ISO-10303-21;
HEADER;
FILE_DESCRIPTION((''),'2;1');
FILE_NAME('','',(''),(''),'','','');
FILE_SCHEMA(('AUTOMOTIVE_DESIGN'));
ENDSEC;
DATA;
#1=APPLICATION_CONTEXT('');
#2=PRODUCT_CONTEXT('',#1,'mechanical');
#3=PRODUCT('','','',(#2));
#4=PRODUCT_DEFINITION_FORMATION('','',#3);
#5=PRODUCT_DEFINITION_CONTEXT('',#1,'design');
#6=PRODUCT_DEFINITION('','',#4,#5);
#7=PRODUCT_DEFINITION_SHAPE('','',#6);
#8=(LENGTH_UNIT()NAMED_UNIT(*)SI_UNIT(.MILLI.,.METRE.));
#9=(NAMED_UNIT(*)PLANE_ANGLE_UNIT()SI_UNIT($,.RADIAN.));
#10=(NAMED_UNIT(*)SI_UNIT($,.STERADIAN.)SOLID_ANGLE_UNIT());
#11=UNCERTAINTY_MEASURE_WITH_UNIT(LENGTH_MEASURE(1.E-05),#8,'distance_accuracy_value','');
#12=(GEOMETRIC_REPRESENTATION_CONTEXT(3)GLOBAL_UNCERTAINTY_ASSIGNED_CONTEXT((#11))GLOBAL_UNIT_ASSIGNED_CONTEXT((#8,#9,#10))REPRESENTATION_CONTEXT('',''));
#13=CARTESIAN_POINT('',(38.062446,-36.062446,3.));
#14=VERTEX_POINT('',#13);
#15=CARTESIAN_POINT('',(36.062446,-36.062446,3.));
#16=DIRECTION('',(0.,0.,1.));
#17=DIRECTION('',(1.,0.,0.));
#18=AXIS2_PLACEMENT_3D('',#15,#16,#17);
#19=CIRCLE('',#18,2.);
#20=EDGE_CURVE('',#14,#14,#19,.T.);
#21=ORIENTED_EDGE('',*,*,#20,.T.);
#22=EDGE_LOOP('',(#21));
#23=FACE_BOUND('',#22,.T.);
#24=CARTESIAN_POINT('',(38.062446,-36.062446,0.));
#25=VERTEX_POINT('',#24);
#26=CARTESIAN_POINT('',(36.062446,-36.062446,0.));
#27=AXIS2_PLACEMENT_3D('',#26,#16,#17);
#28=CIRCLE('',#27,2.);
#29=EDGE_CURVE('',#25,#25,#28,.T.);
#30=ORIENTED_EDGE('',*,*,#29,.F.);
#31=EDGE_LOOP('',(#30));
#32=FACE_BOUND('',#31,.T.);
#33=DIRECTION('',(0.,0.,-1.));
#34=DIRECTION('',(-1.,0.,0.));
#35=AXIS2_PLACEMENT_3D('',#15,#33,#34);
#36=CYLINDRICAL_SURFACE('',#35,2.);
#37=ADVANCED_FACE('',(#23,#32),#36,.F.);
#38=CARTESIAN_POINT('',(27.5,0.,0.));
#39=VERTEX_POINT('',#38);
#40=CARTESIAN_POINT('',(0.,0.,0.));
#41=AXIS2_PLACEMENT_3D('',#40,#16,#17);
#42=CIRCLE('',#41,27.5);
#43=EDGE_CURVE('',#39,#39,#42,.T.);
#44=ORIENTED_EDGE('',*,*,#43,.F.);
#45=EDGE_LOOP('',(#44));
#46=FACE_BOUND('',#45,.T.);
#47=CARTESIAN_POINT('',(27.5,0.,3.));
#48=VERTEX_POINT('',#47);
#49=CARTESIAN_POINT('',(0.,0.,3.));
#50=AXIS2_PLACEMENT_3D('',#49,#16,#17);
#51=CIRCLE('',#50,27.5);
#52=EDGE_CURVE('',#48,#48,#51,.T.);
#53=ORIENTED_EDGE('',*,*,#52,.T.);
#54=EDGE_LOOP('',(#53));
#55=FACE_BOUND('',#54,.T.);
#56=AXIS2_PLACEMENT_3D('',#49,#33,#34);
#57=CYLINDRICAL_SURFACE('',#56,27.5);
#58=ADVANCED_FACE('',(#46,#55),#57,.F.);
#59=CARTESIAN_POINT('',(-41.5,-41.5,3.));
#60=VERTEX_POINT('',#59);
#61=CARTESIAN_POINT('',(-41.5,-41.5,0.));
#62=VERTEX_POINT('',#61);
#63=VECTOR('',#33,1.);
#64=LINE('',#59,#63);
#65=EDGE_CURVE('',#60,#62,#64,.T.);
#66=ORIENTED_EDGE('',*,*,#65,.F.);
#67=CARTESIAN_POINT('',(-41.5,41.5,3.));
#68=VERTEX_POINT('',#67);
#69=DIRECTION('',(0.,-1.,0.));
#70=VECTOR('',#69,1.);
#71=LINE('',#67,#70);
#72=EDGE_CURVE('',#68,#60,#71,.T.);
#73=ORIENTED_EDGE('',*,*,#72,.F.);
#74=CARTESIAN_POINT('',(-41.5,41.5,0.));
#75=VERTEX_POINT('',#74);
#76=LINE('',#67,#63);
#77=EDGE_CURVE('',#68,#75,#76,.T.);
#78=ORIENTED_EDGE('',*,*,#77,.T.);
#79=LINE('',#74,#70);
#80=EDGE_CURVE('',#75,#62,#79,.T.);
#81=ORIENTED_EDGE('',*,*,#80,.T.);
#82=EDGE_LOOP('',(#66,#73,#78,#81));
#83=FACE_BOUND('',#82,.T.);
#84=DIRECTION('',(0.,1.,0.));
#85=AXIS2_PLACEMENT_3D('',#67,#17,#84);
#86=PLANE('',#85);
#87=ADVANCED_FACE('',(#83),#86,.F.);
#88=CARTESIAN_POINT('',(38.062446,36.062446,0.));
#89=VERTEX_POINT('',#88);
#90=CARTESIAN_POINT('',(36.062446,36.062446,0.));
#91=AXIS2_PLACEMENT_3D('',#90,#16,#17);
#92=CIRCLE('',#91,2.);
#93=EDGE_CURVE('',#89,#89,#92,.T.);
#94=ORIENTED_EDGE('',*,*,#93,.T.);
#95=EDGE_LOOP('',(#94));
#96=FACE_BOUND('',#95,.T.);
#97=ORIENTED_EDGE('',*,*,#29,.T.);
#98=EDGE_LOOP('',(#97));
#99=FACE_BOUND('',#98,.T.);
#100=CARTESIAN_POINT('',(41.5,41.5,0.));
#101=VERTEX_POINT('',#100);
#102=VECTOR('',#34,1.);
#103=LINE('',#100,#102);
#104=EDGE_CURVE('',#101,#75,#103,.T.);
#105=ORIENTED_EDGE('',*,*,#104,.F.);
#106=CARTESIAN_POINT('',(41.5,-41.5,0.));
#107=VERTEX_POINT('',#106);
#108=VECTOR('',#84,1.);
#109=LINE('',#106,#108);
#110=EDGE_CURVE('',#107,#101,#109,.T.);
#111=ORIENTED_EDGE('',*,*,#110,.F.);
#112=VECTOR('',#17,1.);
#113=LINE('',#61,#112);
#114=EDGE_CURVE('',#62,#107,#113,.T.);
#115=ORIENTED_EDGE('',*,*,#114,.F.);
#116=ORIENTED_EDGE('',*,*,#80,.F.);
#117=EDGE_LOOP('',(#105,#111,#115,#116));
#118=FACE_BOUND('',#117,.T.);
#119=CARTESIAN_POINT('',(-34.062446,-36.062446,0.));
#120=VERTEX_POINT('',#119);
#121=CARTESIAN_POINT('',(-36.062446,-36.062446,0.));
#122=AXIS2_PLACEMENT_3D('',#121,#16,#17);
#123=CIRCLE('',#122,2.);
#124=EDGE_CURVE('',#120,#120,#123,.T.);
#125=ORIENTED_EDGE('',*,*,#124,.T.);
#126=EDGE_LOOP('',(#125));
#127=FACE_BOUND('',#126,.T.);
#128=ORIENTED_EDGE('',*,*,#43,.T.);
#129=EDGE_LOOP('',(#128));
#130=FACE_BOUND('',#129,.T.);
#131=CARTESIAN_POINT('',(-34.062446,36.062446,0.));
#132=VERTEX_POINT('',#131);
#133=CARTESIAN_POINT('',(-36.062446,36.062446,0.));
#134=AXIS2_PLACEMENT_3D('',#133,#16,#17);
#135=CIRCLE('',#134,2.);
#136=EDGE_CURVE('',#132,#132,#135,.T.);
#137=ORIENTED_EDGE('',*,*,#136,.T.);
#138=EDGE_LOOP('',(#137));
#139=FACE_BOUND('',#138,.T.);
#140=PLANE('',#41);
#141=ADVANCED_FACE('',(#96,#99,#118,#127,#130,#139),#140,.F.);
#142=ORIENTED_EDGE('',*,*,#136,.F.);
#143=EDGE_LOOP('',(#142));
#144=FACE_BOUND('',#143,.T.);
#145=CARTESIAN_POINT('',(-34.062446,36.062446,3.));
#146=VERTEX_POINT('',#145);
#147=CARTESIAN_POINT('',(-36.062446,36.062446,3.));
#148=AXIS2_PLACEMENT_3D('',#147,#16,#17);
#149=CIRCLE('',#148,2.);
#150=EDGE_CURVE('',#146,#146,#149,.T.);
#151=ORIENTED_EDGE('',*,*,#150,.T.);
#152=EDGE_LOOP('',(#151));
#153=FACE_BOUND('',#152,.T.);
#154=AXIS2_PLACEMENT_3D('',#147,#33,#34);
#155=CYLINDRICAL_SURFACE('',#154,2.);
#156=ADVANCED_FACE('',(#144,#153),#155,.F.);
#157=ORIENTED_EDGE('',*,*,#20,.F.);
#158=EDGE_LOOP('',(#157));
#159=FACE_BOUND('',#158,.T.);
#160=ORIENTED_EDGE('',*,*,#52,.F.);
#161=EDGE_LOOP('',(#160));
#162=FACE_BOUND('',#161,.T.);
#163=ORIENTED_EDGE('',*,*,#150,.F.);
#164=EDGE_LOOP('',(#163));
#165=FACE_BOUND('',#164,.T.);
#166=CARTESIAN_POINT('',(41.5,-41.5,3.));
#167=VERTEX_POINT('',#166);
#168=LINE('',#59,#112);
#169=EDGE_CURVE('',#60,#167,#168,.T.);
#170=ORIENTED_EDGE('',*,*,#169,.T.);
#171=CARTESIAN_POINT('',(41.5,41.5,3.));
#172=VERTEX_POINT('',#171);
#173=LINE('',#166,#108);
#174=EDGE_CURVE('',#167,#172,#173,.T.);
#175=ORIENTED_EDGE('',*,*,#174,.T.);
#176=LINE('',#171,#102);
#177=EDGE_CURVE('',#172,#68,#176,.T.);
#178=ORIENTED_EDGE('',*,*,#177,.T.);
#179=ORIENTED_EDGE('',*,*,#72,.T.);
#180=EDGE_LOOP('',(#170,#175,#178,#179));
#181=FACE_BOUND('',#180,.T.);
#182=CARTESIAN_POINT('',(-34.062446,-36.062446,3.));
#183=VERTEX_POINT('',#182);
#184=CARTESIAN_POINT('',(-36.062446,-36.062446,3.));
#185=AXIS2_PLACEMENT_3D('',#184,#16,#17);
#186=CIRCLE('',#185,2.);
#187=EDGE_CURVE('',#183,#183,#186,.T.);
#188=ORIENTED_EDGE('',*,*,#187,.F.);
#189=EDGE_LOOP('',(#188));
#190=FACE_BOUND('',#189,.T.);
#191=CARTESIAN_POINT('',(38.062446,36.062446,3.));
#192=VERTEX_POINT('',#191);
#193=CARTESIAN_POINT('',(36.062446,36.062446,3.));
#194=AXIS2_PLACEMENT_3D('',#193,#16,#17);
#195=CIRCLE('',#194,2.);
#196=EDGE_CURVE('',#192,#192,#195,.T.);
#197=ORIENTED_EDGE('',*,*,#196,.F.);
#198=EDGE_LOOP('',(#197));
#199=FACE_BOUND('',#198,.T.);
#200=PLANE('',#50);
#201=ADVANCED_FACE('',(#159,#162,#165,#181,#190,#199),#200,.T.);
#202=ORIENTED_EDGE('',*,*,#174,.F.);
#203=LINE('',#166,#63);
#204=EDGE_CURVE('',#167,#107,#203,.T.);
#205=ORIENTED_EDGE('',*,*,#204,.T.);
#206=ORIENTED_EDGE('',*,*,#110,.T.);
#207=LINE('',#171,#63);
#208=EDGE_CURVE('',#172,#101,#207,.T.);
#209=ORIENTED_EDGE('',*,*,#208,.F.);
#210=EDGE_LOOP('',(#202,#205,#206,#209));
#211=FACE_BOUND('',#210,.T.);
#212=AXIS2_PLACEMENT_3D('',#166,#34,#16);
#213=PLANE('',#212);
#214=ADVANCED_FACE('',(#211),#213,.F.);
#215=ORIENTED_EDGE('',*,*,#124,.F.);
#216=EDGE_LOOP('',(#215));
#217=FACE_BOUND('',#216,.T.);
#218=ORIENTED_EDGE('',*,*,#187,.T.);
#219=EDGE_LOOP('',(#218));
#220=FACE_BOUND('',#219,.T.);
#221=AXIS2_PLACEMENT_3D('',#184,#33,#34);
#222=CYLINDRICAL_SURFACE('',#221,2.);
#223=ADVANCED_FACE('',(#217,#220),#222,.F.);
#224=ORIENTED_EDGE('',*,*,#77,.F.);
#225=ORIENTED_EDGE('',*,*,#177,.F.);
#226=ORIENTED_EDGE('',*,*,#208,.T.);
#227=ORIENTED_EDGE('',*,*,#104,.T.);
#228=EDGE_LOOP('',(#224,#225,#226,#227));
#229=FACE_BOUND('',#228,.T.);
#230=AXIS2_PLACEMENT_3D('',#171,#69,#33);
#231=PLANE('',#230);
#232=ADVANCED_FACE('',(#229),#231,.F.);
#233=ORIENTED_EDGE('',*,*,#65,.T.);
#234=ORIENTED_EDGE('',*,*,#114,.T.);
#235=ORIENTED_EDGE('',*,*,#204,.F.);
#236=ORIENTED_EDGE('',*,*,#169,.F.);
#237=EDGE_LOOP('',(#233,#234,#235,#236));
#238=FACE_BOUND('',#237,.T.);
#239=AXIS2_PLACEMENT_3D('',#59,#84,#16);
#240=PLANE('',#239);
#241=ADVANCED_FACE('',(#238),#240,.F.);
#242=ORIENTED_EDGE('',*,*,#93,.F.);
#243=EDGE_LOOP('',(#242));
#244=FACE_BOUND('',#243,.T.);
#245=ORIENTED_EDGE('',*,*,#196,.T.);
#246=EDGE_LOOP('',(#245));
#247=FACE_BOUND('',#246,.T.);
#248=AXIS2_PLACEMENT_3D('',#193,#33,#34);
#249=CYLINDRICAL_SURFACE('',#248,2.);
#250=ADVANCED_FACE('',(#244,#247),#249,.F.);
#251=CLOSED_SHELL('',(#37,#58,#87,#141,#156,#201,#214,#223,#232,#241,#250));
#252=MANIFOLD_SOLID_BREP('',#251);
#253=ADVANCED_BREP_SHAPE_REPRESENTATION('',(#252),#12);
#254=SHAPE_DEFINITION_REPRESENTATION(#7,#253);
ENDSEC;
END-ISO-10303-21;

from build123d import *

# Parameters (mm, degrees)
SKETCH1_W           = 83
SKETCH1_H           = 83
SKETCH1_R           = 2
SKETCH1_R_2         = 27.5
BOSS_EXTRUDE1_DEPTH = 3


with BuildPart() as part:
    # Sketch1 → Boss-Extrude1 (new body)
    with BuildSketch(Plane(origin=(0, 0, 0), x_dir=(0, 1, 0), z_dir=(0, 0, 1))):
        Rectangle(SKETCH1_W, SKETCH1_H)
        with Locations(Location((36.062445841, -36.062445841, 0), (0, 0, 270))):
            Circle(SKETCH1_R, mode=Mode.SUBTRACT)
        with Locations(Location((-36.062445841, -36.062445841, 0), (0, 0, 270))):
            Circle(SKETCH1_R, mode=Mode.SUBTRACT)
        with Locations(Location((0, 0, 0), (0, 0, 270))):
            Circle(SKETCH1_R_2, mode=Mode.SUBTRACT)
        with Locations(Location((36.062445841, 36.062445841, 0), (0, 0, 270))):
            Circle(SKETCH1_R, mode=Mode.SUBTRACT)
        with Locations(Location((-36.062445841, 36.062445841, 0), (0, 0, 270))):
            Circle(SKETCH1_R, mode=Mode.SUBTRACT)
    extrude(amount=BOSS_EXTRUDE1_DEPTH)


solid = part.part
